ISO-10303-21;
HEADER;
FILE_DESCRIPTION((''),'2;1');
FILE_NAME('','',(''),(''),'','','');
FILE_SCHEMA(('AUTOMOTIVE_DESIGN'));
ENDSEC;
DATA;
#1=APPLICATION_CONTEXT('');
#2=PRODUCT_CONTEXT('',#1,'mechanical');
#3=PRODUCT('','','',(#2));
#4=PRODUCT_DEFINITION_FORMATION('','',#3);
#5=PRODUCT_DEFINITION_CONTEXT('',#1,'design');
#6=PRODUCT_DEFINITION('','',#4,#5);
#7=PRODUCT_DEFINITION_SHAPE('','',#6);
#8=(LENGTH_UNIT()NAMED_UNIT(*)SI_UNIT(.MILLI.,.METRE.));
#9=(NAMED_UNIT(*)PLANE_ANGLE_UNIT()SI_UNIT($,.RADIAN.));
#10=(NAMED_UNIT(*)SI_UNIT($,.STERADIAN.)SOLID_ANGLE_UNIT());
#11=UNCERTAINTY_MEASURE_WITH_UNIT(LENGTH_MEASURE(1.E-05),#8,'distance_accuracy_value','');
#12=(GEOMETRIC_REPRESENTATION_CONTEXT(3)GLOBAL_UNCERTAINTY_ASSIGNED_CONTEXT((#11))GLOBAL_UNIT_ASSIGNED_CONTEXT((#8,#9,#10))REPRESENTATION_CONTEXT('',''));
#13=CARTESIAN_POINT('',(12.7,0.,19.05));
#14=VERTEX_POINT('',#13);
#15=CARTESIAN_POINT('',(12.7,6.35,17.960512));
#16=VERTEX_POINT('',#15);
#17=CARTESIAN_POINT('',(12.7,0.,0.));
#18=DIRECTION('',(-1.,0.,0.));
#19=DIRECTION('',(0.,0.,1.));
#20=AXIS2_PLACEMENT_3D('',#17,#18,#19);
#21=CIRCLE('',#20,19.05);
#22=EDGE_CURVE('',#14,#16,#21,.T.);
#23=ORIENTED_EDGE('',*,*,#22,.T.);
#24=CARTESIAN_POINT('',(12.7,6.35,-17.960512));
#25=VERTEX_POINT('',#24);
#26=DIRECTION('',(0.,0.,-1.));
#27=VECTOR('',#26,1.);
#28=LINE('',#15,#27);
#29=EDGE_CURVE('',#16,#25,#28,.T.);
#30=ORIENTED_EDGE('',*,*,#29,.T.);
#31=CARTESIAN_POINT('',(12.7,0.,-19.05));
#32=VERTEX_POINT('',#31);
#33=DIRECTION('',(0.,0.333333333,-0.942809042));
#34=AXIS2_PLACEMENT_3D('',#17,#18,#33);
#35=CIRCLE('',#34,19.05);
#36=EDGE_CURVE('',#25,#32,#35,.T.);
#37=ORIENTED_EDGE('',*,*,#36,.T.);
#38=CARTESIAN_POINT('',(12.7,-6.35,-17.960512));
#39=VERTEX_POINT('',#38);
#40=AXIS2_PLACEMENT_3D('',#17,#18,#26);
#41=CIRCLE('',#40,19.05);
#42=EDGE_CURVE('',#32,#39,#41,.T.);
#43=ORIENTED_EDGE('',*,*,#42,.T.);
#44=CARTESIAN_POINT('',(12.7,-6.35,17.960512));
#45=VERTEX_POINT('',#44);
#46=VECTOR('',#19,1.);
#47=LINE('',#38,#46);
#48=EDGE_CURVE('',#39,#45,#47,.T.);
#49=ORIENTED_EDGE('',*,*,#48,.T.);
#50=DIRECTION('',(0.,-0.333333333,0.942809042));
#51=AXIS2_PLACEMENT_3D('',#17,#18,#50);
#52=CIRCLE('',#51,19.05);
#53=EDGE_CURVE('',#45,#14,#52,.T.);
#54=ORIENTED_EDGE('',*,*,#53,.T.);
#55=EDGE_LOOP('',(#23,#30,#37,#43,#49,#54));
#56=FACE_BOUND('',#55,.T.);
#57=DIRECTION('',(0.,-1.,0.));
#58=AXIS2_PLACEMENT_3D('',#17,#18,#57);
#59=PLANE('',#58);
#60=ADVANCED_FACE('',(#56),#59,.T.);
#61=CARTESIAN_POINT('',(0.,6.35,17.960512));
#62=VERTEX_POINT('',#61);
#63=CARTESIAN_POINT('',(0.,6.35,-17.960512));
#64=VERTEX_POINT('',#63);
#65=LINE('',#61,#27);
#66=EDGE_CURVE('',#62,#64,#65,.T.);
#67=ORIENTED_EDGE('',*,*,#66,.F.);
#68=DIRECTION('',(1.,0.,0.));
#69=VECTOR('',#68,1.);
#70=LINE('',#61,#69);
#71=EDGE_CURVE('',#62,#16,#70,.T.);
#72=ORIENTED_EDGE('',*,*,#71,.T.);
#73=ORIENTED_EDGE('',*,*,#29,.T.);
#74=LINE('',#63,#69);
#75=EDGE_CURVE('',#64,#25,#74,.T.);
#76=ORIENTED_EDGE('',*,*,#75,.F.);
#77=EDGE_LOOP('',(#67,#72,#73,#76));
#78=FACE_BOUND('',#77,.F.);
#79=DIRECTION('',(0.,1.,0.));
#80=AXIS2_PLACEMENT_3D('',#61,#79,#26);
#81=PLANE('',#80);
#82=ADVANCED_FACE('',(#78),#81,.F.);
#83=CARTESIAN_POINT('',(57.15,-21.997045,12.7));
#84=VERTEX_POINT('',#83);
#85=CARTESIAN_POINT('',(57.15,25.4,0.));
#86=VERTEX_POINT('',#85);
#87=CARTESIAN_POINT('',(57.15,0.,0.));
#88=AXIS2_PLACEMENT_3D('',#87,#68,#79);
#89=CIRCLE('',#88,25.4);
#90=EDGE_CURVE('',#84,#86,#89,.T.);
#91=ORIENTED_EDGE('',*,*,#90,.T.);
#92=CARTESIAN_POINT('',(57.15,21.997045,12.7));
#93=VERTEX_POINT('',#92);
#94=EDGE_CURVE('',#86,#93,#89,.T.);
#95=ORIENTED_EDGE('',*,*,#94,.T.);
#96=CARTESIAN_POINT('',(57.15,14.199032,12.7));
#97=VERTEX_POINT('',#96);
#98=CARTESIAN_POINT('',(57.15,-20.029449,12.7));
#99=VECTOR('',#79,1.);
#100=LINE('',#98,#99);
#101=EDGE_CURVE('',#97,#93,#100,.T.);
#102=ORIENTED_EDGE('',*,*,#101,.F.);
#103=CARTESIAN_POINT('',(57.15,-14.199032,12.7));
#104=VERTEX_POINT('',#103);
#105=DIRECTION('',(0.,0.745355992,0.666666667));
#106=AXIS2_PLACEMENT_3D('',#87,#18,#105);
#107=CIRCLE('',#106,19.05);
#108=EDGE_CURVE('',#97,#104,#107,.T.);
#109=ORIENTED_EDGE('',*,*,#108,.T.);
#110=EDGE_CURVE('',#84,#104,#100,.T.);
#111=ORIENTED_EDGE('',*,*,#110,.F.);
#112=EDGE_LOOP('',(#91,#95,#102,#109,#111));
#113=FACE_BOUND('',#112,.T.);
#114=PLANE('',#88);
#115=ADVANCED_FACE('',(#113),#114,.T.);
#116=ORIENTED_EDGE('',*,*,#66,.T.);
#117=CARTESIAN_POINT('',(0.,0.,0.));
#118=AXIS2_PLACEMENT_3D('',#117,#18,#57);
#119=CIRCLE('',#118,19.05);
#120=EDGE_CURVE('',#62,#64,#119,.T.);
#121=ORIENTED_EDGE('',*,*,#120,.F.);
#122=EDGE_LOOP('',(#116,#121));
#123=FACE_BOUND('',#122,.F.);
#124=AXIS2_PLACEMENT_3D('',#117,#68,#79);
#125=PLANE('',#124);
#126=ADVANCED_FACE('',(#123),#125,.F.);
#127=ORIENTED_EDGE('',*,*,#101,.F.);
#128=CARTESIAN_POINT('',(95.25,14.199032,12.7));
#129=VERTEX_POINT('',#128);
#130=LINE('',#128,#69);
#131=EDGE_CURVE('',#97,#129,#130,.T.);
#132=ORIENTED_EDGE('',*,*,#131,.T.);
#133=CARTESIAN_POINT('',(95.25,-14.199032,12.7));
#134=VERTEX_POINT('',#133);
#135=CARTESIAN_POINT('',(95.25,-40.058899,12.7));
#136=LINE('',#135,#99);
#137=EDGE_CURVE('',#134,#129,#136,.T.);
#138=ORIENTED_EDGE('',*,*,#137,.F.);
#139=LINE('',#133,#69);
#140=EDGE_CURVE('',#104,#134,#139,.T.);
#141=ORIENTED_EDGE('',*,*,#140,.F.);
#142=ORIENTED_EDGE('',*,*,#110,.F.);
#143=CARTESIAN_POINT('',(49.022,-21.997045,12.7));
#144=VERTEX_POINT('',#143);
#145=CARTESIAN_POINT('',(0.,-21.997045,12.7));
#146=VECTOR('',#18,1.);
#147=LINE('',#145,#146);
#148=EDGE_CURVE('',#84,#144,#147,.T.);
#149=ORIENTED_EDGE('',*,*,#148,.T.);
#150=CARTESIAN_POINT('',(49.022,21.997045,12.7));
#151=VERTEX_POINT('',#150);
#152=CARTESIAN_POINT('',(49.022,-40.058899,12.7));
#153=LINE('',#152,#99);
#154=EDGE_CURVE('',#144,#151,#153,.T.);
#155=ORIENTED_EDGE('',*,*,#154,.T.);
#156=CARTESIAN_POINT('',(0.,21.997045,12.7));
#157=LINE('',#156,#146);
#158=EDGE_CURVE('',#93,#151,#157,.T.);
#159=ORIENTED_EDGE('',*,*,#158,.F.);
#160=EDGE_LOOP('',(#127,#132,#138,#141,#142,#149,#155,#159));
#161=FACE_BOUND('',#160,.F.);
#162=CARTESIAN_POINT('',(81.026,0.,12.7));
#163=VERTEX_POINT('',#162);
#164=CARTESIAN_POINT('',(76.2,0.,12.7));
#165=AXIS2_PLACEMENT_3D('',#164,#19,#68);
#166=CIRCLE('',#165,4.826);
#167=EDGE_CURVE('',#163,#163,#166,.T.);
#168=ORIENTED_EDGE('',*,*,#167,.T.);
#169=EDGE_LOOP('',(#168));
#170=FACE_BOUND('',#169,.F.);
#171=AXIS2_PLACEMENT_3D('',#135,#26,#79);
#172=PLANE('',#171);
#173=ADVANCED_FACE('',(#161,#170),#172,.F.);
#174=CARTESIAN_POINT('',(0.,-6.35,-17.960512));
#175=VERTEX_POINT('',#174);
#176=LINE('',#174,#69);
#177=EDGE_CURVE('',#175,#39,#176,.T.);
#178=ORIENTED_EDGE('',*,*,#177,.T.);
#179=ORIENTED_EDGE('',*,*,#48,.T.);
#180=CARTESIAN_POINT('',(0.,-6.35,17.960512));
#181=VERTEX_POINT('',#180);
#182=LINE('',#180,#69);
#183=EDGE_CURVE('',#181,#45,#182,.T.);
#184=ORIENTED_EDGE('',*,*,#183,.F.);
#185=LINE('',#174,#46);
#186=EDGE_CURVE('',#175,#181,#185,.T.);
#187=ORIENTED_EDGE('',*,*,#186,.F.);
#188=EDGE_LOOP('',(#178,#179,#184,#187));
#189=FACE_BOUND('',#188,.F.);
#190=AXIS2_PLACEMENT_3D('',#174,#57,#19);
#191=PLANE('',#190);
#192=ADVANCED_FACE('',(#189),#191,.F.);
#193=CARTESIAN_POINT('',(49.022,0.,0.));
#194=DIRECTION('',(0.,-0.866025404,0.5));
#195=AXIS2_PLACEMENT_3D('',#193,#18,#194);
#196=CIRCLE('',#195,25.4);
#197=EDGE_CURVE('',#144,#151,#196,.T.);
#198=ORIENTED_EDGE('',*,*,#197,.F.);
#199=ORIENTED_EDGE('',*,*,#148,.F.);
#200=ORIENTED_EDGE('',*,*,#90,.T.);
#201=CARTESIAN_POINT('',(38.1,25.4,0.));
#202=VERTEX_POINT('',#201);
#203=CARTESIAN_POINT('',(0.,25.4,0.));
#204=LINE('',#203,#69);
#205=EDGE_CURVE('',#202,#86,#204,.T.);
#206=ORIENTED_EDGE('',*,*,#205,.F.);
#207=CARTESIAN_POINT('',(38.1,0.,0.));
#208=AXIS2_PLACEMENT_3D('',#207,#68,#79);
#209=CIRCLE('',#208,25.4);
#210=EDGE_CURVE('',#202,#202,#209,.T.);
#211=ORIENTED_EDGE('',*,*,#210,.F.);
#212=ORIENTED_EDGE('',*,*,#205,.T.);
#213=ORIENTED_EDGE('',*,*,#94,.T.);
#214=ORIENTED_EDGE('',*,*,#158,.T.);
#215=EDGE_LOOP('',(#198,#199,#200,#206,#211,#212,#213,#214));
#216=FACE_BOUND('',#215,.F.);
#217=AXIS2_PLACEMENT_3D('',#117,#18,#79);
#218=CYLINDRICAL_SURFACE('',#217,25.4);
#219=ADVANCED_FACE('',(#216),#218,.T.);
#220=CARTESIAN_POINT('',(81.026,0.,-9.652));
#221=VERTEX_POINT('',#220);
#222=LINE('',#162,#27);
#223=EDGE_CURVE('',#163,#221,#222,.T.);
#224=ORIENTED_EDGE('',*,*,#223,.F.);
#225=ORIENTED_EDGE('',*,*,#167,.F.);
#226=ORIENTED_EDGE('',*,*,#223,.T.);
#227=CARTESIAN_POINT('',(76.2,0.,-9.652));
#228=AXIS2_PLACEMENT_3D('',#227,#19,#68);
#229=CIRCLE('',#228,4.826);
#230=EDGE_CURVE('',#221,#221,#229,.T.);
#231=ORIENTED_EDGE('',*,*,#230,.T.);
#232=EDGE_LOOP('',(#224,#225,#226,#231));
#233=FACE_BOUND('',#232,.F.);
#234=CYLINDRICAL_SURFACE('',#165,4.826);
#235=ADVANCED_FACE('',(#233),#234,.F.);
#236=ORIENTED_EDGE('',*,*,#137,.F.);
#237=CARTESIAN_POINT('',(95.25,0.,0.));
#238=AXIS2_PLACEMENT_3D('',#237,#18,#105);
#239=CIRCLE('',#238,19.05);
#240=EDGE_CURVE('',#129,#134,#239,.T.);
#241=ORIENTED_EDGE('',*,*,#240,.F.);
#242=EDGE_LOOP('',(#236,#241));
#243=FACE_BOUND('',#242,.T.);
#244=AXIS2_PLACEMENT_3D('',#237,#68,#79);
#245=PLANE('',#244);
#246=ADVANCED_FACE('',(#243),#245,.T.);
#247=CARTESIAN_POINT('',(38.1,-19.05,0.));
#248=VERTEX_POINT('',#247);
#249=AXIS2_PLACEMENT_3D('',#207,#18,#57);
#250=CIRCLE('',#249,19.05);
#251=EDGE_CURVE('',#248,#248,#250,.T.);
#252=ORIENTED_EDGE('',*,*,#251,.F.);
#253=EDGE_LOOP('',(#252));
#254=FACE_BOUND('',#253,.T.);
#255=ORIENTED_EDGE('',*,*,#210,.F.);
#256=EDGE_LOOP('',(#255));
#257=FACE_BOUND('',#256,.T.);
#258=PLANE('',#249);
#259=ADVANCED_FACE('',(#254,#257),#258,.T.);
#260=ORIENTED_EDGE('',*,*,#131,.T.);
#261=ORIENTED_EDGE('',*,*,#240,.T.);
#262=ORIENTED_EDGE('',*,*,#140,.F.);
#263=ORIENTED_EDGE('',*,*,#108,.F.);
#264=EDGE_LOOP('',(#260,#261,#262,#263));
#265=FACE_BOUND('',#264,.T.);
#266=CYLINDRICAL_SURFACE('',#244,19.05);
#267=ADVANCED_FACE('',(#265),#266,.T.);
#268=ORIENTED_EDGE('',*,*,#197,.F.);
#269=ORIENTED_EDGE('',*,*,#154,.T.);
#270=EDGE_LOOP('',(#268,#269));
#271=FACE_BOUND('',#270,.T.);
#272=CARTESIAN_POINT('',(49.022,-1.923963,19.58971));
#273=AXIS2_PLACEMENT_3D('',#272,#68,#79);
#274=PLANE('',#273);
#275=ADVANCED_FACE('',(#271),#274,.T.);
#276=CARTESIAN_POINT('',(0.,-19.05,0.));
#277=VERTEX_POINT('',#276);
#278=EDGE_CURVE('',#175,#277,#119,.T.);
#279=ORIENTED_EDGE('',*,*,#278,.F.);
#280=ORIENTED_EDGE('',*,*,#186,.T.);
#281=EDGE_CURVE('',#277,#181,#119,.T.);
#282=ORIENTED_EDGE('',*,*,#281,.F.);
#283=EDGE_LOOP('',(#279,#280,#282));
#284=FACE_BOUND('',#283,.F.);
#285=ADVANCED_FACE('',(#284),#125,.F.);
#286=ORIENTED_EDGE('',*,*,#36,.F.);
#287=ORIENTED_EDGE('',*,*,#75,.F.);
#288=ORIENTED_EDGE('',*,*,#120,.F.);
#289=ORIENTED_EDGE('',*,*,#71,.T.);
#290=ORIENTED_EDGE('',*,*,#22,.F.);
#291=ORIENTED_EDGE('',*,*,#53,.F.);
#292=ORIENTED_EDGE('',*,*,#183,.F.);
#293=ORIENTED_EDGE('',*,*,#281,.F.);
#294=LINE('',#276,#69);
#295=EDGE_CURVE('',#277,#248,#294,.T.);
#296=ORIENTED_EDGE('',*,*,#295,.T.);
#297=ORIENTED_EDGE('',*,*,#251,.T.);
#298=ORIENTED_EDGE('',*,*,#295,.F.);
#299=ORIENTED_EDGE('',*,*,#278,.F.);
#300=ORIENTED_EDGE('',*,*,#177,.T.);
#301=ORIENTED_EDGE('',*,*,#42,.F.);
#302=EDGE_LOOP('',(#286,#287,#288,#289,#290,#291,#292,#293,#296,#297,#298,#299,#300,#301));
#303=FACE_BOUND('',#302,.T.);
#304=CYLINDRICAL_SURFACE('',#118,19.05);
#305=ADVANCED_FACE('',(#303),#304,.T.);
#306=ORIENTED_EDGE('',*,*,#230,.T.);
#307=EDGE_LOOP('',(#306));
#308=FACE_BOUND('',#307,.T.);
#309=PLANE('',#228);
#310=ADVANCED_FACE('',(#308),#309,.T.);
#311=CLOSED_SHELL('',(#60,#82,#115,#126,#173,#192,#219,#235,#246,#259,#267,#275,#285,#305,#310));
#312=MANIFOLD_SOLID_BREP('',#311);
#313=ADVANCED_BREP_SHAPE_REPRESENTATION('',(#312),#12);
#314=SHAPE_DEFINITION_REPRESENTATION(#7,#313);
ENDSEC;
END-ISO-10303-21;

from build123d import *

# Parameters (mm, degrees)
F0_R      = 25.4
F1_DEPTH  = 95.25
F2_R      = 25.4
F2_R_2    = 19.05
F3_DEPTH  = 38.1
F4_R      = 25.4
F4_R_2    = 19.05
F5_DEPTH  = 38.1
F7_DEPTH  = 12.7
F9_DEPTH  = 46.228
F10_R     = 4.826
F11_DEPTH = 22.352


with BuildPart() as f1:
    # F0 (on Right) → F1 (new body)
    with BuildSketch(Plane.YZ):
        Circle(F0_R)
    extrude(amount=F1_DEPTH)

    # F2 (on face) → F3 (cut)
    with BuildSketch(Plane.YZ.offset(95.25)):
        Circle(F2_R)
        Circle(F2_R_2, mode=Mode.SUBTRACT)
    extrude(amount=-F3_DEPTH, mode=Mode.SUBTRACT)

    # F4 (on face) → F5 (cut)
    with BuildSketch(Plane(origin=(0, 0, 0), x_dir=(0, -1, 0), z_dir=(-1, 0, 0))):
        Circle(F4_R)
        Circle(F4_R_2, mode=Mode.SUBTRACT)
    extrude(amount=-F5_DEPTH, mode=Mode.SUBTRACT)

    # F6 (on face) → F7 (cut)
    with BuildSketch(Plane(origin=(0, 0, 0), x_dir=(0, -1, 0), z_dir=(-1, 0, 0))):
        with BuildLine():
            ThreePointArc((6.35, 17.9605122421), (3.2213926947, 18.7756525614), (0, 19.05))
            ThreePointArc((0, 19.05), (-3.2213926947, 18.7756525614), (-6.35, 17.9605122421))
            Line((-6.35, 17.9605122421), (-6.35, -17.9605122421))
            ThreePointArc((-6.35, -17.9605122421), (-3.2213926947, -18.7756525614), (0, -19.05))
            ThreePointArc((0, -19.05), (3.2213926947, -18.7756525614), (6.35, -17.9605122421))
            Line((6.35, -17.9605122421), (6.35, 17.9605122421))
        make_face()
    extrude(amount=-F7_DEPTH, mode=Mode.SUBTRACT)

    # F8 (on face) → F9 (cut)
    with BuildSketch(Plane.YZ.offset(95.25)):
        with BuildLine():
            Line((-40.058898566, 25.4), (-40.058898566, 21.5428465581))
            Line((-40.058898566, 21.5428465581), (-40.058898566, 12.7))
            Line((-40.058898566, 12.7), (-14.1990316571, 12.7))
            ThreePointArc((-14.1990316571, 12.7), (0, 19.05), (14.1990316571, 12.7))
            Line((14.1990316571, 12.7), (36.141101434, 12.7))
            Line((36.141101434, 12.7), (36.141101434, 25.4))
            Line((36.141101434, 25.4), (-40.058898566, 25.4))
        make_face()
        with BuildLine():
            ThreePointArc((14.1990316571, 12.7), (0, 19.05), (-14.1990316571, 12.7))
            Line((-14.1990316571, 12.7), (14.1990316571, 12.7))
        make_face()
    extrude(amount=-F9_DEPTH, mode=Mode.SUBTRACT)

    # F10 (on face) → F11 (cut)
    with BuildSketch(Plane.XY.offset(12.7)):
        with Locations((76.2, 0)):
            Circle(F10_R)
    extrude(amount=-F11_DEPTH, mode=Mode.SUBTRACT)


solid = f1.part
